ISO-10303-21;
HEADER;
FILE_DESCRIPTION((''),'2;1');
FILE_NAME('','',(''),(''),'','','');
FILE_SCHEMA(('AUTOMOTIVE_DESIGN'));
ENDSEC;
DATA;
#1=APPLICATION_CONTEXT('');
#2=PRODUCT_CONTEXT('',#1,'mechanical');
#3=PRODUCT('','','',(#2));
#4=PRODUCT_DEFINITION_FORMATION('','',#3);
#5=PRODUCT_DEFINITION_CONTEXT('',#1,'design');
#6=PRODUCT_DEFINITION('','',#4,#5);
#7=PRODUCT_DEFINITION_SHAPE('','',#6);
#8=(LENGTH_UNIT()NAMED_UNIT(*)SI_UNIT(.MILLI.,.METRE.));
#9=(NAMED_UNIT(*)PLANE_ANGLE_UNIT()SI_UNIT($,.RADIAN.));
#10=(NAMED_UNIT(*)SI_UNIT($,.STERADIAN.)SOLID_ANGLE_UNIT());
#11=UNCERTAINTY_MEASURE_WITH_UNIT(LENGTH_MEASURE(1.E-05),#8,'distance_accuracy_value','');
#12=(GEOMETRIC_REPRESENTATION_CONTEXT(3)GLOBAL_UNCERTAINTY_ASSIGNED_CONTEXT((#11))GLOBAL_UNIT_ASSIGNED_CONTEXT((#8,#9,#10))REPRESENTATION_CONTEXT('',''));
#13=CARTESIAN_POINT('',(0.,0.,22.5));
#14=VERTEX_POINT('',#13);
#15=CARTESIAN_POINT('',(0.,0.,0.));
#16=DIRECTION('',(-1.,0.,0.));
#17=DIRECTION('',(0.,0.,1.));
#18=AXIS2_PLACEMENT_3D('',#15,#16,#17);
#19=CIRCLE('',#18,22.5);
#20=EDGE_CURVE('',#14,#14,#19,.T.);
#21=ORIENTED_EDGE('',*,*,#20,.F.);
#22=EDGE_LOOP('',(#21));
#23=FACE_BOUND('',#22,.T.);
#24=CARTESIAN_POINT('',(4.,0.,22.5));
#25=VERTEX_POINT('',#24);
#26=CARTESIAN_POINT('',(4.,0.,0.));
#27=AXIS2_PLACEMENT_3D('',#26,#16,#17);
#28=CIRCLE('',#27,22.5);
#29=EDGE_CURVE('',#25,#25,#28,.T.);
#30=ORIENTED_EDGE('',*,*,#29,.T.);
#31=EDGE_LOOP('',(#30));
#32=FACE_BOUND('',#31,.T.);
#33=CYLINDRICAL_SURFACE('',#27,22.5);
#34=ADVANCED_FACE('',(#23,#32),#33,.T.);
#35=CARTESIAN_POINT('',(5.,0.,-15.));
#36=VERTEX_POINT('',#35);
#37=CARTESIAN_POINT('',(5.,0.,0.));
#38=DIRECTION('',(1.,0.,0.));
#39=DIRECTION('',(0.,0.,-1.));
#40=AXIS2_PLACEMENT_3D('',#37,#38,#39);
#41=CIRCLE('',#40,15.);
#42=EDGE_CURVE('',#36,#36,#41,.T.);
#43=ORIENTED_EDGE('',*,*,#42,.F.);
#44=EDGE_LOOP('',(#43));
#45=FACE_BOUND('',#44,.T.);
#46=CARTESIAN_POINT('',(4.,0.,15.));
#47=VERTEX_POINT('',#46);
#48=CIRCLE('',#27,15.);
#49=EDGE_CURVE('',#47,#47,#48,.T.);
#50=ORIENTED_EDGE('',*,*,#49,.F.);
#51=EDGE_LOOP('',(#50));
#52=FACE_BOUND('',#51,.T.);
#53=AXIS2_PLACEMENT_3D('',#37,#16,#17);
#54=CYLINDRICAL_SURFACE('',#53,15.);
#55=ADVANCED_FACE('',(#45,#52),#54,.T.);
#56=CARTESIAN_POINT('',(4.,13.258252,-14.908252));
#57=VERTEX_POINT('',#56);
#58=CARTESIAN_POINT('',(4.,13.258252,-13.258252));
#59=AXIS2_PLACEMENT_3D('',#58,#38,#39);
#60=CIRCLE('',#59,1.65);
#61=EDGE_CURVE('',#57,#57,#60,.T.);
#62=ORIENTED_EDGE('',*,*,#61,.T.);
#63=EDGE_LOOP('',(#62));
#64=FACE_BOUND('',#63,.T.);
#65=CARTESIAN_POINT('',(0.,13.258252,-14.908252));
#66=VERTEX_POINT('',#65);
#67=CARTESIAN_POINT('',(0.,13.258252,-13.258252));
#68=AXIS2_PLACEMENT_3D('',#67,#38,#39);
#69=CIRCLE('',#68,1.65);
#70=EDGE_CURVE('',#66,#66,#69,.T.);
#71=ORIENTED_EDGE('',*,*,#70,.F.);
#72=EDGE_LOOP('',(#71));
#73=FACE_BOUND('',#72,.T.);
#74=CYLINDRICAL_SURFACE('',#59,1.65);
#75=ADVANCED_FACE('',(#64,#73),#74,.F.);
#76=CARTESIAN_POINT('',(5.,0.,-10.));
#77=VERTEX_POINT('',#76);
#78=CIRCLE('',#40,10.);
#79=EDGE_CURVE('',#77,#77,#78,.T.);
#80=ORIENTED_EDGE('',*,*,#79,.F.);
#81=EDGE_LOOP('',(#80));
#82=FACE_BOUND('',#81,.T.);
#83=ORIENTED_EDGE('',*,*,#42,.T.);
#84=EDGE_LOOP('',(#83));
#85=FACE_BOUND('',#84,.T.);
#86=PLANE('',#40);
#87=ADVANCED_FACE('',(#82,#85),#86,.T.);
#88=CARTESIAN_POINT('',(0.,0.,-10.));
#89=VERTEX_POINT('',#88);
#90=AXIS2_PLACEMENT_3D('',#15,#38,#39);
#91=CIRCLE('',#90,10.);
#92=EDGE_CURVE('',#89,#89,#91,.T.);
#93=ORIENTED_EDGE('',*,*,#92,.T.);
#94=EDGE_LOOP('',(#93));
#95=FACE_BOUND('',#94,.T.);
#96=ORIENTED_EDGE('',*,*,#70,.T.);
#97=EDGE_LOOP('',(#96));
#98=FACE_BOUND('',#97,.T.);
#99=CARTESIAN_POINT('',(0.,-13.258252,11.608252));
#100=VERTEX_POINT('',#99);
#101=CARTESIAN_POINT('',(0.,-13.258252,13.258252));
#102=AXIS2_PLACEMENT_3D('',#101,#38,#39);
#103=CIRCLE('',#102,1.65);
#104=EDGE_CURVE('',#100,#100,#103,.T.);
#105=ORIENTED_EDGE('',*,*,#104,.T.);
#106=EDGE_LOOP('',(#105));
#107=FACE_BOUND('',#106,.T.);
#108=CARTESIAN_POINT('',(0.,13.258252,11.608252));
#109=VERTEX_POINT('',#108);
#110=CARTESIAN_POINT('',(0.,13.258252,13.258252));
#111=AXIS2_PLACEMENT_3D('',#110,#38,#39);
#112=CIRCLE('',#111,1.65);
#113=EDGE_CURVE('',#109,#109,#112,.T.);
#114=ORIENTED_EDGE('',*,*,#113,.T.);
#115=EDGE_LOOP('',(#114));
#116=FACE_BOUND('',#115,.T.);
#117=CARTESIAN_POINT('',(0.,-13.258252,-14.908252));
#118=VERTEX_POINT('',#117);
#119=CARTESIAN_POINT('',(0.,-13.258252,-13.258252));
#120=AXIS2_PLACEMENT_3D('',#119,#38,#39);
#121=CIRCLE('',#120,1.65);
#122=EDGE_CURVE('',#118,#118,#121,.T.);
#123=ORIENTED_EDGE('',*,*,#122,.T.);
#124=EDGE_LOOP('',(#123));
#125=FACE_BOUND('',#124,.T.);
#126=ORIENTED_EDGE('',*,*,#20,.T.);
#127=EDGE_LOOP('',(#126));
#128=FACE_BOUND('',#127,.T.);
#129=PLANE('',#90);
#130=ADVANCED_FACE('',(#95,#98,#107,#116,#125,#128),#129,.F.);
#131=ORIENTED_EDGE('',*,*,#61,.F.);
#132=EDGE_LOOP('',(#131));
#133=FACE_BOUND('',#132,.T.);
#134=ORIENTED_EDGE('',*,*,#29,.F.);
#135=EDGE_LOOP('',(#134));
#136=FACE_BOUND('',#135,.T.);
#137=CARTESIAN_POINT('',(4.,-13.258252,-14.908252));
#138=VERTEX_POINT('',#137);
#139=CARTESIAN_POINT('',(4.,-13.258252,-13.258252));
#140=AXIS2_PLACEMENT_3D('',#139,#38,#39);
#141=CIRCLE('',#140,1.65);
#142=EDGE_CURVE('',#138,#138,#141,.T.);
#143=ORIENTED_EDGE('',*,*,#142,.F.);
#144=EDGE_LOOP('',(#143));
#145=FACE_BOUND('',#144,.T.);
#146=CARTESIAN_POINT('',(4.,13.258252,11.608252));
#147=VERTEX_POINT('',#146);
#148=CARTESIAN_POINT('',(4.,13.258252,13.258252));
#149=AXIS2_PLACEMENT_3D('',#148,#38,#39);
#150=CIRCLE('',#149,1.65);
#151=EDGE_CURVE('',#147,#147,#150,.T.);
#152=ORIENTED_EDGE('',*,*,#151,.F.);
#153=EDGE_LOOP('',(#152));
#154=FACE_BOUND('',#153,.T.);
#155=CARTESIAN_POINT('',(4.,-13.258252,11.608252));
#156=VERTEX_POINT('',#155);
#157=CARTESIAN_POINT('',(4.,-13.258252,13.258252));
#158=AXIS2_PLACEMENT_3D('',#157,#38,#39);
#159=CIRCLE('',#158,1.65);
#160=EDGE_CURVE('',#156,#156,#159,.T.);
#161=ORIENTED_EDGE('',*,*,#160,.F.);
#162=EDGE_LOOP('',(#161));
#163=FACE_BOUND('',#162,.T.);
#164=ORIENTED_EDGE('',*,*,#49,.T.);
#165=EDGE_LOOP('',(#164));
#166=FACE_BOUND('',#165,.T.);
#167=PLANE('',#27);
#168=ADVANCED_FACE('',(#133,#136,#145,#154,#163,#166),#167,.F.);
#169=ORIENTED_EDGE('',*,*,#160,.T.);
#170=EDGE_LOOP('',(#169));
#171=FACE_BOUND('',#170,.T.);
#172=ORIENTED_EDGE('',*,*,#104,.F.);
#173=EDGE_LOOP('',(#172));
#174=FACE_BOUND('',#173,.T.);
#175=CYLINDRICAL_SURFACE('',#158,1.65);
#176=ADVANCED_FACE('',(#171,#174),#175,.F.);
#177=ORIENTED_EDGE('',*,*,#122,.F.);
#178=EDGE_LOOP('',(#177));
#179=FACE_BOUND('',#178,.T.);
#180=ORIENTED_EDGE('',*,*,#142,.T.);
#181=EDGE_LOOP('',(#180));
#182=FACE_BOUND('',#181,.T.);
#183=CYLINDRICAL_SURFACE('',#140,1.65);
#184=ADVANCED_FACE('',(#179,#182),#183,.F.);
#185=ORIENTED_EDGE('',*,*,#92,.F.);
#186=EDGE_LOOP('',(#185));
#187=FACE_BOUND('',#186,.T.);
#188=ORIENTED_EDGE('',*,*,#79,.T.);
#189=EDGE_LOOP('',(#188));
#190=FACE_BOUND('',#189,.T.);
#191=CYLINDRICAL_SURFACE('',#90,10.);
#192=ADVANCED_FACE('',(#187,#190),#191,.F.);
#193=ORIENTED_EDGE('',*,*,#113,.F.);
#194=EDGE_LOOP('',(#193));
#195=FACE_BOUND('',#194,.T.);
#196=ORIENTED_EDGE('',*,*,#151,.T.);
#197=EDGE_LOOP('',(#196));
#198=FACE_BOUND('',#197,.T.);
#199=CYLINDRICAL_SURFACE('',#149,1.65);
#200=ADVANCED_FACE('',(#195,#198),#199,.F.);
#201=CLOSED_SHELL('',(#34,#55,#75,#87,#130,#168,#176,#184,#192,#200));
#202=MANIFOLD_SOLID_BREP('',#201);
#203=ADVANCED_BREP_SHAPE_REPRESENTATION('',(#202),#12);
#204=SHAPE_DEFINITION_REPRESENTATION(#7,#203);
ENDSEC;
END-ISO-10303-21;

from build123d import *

# Parameters (mm, degrees)
SKETCH_1_R          = 15
EXTRUDE_1_DEPTH     = 5
SKETCH_3_R          = 22.5
EXTRUDE_3_DEPTH     = 4
SKETCH_6_R          = 10
CUT_EXTRUDE_2_DEPTH = 33.210246817
HOLE_WIZARD_M4_1_D  = 3.3


with BuildPart() as part:
    # 草图1 → 凸台-拉伸1 (new body)
    with BuildSketch(Plane(origin=(0, 0, 0), x_dir=(0, 0, -1), z_dir=(1, 0, 0))):
        Circle(SKETCH_1_R)
    extrude(amount=EXTRUDE_1_DEPTH)

    # 草图3 → 凸台-拉伸3 (add)
    with BuildSketch(Plane.ZY):
        Circle(SKETCH_3_R)
    extrude(amount=-EXTRUDE_3_DEPTH)

    # 草图6 → 切除-拉伸2 (cut, through all)
    with BuildSketch(Plane(origin=(5, 0, 0), x_dir=(0, 0, -1), z_dir=(1, 0, 0))):
        Circle(SKETCH_6_R)
    extrude(amount=-CUT_EXTRUDE_2_DEPTH, mode=Mode.SUBTRACT)

    # M4 螺纹孔1 (through all)
    with Locations(Plane(origin=(4, 0, 0), x_dir=(0, 0, -1), z_dir=(1, 0, 0))):
        with Locations((-13.258252147, 13.258252147), (13.258252147, 13.258252147), (13.258252147, -13.258252147), (-13.258252147, -13.258252147), (0, 0)):
            Hole(HOLE_WIZARD_M4_1_D / 2)


solid = part.part
